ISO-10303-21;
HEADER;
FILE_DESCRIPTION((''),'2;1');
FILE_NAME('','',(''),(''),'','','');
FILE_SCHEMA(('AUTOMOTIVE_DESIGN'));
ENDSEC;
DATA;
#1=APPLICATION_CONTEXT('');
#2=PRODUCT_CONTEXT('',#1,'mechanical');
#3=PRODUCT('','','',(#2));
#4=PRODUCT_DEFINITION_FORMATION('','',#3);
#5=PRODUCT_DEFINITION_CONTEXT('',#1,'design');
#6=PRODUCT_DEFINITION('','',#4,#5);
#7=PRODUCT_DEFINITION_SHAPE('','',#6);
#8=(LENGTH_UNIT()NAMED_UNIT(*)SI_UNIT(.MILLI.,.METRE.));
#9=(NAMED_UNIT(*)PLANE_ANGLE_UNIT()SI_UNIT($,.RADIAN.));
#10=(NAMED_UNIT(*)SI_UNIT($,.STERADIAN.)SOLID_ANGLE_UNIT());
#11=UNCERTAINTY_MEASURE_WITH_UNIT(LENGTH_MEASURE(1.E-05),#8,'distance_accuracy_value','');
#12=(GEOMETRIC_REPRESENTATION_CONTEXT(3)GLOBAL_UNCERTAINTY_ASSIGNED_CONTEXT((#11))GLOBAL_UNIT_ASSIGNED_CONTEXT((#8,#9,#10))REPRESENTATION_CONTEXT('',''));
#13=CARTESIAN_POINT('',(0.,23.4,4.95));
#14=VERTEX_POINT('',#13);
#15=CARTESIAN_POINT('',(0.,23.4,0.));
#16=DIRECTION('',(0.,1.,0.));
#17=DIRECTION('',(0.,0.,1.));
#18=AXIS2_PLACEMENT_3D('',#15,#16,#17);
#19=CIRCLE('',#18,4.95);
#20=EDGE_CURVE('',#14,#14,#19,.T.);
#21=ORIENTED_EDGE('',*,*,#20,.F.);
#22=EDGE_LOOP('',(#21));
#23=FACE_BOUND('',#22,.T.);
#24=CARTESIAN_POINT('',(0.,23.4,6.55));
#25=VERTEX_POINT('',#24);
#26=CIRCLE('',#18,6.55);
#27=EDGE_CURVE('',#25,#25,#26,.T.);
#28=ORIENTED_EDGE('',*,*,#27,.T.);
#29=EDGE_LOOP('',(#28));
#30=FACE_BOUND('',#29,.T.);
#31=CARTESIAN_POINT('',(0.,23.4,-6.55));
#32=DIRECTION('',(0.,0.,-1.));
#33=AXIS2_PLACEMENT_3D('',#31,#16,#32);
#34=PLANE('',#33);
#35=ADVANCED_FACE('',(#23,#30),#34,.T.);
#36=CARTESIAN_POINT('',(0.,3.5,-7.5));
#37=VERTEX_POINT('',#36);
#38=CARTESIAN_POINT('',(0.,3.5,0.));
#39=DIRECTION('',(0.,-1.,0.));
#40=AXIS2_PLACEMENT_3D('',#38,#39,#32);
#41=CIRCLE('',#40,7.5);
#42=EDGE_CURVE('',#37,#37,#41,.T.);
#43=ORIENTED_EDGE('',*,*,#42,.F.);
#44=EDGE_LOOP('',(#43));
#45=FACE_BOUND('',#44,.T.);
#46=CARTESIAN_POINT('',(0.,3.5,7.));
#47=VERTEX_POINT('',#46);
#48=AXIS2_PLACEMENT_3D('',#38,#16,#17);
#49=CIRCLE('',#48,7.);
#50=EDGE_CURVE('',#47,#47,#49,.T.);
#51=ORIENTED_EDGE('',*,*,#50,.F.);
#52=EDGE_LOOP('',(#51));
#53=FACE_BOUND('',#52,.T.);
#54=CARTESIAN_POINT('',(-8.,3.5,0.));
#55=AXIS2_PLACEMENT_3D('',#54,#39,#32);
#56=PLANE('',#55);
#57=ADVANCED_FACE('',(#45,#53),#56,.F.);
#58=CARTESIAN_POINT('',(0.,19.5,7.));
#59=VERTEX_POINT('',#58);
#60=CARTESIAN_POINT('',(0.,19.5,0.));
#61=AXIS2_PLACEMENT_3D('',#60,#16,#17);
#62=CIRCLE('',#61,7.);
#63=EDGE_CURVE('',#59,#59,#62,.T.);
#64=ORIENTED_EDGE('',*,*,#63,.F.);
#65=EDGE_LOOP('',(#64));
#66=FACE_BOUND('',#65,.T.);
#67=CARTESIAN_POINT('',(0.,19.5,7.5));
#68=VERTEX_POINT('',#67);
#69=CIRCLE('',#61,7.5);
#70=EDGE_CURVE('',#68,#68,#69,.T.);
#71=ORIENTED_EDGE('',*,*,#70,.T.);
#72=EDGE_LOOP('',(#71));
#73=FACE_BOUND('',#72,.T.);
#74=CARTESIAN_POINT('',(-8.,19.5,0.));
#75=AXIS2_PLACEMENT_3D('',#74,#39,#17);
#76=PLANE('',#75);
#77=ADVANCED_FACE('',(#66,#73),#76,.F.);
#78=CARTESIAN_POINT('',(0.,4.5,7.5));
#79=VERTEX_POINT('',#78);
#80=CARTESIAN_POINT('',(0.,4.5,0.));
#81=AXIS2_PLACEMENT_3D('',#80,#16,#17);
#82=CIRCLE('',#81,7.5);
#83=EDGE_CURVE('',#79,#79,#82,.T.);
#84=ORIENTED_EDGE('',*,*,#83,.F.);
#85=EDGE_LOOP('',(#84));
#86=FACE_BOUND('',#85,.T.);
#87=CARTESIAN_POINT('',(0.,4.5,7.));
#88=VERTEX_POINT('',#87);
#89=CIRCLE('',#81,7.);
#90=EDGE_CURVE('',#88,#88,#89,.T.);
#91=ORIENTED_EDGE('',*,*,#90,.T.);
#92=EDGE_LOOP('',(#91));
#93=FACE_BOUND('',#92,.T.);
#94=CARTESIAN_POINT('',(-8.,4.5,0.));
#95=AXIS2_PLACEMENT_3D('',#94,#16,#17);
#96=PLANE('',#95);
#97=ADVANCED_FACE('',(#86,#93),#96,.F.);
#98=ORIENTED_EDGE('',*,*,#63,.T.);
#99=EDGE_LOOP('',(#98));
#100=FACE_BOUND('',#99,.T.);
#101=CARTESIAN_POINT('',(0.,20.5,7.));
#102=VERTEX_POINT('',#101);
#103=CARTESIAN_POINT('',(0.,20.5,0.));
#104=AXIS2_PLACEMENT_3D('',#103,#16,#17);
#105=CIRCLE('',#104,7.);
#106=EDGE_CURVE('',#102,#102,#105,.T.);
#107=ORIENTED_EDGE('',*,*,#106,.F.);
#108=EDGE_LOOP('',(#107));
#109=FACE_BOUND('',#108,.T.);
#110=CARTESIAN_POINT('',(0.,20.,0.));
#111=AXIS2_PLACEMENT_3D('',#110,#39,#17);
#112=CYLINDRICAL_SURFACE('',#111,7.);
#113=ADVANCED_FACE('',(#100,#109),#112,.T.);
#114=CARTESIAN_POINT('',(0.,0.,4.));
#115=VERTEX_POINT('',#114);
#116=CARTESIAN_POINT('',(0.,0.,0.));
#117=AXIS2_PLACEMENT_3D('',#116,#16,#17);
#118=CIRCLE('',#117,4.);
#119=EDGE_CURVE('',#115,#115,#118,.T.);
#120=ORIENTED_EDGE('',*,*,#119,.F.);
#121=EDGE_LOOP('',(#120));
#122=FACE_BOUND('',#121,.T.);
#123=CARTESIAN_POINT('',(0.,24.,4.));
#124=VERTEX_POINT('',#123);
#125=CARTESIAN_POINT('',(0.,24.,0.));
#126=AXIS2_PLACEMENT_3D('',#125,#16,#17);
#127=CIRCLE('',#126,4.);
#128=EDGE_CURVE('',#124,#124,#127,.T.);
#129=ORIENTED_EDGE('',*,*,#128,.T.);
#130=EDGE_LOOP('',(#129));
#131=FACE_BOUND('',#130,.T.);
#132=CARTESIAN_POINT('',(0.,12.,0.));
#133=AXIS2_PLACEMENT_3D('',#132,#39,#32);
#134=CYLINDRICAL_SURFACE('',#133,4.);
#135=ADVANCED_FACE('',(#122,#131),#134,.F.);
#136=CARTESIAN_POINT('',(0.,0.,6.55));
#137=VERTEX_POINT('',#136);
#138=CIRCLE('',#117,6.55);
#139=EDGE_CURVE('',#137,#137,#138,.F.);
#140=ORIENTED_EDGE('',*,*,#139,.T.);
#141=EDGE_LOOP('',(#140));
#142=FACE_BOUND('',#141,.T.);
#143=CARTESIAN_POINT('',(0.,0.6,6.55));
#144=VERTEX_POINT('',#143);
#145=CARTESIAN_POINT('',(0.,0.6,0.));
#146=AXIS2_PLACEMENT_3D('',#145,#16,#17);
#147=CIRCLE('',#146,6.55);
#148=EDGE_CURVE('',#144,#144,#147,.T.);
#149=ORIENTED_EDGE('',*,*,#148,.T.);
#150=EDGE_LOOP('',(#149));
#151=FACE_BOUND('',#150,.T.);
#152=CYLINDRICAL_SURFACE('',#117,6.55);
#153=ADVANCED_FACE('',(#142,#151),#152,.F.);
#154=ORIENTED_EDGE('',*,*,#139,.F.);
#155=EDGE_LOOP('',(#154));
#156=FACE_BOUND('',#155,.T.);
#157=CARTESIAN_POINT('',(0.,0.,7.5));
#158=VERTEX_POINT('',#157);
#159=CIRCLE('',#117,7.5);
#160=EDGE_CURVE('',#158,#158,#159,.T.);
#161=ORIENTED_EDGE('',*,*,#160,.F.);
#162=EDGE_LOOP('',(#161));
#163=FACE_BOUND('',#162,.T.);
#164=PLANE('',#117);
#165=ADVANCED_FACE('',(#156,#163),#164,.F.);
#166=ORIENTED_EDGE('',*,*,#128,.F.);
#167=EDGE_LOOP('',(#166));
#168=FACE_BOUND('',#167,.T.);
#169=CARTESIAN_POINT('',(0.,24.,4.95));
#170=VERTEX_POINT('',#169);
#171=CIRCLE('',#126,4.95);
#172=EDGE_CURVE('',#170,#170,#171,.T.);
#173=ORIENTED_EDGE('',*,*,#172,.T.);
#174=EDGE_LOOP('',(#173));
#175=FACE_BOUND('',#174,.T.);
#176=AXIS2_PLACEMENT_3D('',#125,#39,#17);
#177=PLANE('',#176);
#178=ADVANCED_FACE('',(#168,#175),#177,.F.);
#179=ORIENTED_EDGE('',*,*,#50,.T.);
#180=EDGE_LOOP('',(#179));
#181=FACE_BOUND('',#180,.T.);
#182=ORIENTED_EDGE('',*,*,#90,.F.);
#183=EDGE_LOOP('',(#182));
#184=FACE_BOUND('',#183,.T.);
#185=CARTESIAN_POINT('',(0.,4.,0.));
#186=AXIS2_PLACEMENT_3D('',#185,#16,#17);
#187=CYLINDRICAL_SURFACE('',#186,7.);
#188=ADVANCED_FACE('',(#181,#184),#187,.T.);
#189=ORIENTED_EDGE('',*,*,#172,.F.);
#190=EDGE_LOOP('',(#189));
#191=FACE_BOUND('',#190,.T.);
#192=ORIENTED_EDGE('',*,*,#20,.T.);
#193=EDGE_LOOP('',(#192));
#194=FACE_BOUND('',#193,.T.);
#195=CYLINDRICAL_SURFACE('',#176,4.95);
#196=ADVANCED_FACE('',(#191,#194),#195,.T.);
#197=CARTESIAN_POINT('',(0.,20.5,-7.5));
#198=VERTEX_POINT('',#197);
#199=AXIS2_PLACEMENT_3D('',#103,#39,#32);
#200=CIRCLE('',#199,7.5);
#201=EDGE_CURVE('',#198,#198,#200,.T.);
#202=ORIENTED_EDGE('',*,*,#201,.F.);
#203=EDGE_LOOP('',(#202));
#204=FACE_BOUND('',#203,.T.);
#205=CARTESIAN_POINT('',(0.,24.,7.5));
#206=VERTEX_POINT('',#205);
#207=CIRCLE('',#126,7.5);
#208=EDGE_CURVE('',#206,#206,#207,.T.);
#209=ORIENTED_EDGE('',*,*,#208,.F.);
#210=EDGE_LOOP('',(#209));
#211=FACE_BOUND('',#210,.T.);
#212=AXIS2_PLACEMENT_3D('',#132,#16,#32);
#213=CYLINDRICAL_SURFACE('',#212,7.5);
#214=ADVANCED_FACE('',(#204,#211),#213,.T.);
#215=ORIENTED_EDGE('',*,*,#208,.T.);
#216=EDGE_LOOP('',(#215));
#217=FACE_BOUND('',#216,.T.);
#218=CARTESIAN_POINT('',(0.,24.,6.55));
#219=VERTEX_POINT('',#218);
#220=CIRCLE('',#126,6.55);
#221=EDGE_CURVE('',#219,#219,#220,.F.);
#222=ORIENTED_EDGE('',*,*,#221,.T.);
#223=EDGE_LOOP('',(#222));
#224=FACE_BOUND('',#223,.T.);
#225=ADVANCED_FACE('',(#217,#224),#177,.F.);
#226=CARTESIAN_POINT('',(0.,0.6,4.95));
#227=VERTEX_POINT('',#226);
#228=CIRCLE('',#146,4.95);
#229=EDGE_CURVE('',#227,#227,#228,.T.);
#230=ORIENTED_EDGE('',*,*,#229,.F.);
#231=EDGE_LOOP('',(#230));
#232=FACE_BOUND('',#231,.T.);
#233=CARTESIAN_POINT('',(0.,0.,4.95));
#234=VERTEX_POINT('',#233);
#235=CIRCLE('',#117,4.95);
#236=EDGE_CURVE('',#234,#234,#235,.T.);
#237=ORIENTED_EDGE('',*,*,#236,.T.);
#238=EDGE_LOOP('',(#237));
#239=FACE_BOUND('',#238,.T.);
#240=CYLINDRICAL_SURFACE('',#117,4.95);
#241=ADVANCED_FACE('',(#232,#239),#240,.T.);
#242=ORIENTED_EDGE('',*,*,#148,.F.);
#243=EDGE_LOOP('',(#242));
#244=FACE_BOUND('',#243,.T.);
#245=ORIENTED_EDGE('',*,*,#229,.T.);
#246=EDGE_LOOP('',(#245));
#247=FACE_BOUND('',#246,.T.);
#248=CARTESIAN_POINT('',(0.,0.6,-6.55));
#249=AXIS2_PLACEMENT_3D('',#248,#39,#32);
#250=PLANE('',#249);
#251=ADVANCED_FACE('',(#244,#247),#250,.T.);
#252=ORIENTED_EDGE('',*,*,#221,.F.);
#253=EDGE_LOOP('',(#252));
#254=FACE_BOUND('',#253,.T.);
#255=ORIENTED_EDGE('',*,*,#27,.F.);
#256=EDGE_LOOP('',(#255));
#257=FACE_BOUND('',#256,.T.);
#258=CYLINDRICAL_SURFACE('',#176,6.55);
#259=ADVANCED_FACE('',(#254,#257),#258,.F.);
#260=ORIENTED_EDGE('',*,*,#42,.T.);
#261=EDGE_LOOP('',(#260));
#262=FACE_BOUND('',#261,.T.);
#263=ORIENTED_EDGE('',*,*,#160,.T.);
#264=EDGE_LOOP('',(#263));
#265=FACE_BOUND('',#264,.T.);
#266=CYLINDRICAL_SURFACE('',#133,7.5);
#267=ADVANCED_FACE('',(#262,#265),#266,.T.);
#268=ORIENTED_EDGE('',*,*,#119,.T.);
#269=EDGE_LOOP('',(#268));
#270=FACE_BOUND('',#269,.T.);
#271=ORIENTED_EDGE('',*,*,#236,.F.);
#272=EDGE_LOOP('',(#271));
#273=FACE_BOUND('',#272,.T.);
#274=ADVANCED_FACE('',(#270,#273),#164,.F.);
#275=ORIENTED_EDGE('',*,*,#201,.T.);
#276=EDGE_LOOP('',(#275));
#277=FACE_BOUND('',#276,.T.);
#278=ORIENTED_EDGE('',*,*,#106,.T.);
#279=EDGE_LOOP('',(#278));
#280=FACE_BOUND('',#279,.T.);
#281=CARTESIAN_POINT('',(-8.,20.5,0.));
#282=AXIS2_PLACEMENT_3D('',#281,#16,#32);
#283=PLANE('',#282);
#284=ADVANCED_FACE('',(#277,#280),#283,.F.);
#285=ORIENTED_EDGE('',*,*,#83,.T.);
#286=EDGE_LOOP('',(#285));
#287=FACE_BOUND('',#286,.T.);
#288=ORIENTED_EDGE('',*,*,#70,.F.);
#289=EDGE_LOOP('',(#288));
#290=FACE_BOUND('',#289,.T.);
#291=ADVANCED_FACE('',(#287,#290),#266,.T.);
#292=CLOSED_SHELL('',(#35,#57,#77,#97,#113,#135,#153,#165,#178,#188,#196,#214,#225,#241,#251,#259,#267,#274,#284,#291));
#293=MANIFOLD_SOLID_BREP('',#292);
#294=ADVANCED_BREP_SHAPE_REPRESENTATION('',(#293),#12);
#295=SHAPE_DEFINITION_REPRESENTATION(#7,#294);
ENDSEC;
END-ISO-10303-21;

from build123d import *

# Parameters (mm, degrees)
ESQUISSE1_R        = 7.5
ESQUISSE1_R_2      = 4
BOSS_EXTRU_1_DEPTH = 12
ESQUISSE4_W        = 1
ESQUISSE4_H        = 1
ESQUISSE6_W        = 1.6
ESQUISSE6_H        = 1.2


with BuildPart() as part:
    # Esquisse1 → Boss.-Extru.1 (new body)
    with BuildSketch(Plane(origin=(0, 0, 0), x_dir=(1, 0, 0), z_dir=(0, 1, 0))):
        Circle(ESQUISSE1_R)
        Circle(ESQUISSE1_R_2, mode=Mode.SUBTRACT)
    extrude(amount=BOSS_EXTRU_1_DEPTH)

    # Enlèvement de matière-Balayage1: sweep along a path in Esquisse2
    with BuildLine(Plane(origin=(0, 4, 0), x_dir=(-1, 0, 0), z_dir=(0, -1, 0))) as enl_vement_de_mati_re_balayage1_path:
        CenterArc((0, 0), 7.5, 0, 360)
    # Esquisse4 → Enlèvement de matière-Balayage1 (sweep, cut)
    with BuildSketch(Plane.XY):
        with Locations((-7.5, 4)):
            Rectangle(ESQUISSE4_W, ESQUISSE4_H)
    sweep(path=enl_vement_de_mati_re_balayage1_path.line, mode=Mode.SUBTRACT)

    # Enlèvement de matière-Balayage2: sweep along a path in Esquisse5
    with BuildLine(Plane(origin=(0, 0, 0), x_dir=(-1, 0, 0), z_dir=(0, -1, 0))) as enl_vement_de_mati_re_balayage2_path:
        CenterArc((0, 0), 5.75, 0, 360)
    # Esquisse6 → Enlèvement de matière-Balayage2 (sweep, cut)
    with BuildSketch(Plane(origin=(0, 0, 0), x_dir=(0, 0, -1), z_dir=(1, 0, 0))):
        with Locations((5.75, 0)):
            Rectangle(ESQUISSE6_W, ESQUISSE6_H)
    sweep(path=enl_vement_de_mati_re_balayage2_path.line, mode=Mode.SUBTRACT)

    # Symétrie1: part across plane


with BuildPart() as part_1:
    add(part.part)
    add(part.part.mirror(Plane.ZX.offset(12)))


solid = part_1.part
